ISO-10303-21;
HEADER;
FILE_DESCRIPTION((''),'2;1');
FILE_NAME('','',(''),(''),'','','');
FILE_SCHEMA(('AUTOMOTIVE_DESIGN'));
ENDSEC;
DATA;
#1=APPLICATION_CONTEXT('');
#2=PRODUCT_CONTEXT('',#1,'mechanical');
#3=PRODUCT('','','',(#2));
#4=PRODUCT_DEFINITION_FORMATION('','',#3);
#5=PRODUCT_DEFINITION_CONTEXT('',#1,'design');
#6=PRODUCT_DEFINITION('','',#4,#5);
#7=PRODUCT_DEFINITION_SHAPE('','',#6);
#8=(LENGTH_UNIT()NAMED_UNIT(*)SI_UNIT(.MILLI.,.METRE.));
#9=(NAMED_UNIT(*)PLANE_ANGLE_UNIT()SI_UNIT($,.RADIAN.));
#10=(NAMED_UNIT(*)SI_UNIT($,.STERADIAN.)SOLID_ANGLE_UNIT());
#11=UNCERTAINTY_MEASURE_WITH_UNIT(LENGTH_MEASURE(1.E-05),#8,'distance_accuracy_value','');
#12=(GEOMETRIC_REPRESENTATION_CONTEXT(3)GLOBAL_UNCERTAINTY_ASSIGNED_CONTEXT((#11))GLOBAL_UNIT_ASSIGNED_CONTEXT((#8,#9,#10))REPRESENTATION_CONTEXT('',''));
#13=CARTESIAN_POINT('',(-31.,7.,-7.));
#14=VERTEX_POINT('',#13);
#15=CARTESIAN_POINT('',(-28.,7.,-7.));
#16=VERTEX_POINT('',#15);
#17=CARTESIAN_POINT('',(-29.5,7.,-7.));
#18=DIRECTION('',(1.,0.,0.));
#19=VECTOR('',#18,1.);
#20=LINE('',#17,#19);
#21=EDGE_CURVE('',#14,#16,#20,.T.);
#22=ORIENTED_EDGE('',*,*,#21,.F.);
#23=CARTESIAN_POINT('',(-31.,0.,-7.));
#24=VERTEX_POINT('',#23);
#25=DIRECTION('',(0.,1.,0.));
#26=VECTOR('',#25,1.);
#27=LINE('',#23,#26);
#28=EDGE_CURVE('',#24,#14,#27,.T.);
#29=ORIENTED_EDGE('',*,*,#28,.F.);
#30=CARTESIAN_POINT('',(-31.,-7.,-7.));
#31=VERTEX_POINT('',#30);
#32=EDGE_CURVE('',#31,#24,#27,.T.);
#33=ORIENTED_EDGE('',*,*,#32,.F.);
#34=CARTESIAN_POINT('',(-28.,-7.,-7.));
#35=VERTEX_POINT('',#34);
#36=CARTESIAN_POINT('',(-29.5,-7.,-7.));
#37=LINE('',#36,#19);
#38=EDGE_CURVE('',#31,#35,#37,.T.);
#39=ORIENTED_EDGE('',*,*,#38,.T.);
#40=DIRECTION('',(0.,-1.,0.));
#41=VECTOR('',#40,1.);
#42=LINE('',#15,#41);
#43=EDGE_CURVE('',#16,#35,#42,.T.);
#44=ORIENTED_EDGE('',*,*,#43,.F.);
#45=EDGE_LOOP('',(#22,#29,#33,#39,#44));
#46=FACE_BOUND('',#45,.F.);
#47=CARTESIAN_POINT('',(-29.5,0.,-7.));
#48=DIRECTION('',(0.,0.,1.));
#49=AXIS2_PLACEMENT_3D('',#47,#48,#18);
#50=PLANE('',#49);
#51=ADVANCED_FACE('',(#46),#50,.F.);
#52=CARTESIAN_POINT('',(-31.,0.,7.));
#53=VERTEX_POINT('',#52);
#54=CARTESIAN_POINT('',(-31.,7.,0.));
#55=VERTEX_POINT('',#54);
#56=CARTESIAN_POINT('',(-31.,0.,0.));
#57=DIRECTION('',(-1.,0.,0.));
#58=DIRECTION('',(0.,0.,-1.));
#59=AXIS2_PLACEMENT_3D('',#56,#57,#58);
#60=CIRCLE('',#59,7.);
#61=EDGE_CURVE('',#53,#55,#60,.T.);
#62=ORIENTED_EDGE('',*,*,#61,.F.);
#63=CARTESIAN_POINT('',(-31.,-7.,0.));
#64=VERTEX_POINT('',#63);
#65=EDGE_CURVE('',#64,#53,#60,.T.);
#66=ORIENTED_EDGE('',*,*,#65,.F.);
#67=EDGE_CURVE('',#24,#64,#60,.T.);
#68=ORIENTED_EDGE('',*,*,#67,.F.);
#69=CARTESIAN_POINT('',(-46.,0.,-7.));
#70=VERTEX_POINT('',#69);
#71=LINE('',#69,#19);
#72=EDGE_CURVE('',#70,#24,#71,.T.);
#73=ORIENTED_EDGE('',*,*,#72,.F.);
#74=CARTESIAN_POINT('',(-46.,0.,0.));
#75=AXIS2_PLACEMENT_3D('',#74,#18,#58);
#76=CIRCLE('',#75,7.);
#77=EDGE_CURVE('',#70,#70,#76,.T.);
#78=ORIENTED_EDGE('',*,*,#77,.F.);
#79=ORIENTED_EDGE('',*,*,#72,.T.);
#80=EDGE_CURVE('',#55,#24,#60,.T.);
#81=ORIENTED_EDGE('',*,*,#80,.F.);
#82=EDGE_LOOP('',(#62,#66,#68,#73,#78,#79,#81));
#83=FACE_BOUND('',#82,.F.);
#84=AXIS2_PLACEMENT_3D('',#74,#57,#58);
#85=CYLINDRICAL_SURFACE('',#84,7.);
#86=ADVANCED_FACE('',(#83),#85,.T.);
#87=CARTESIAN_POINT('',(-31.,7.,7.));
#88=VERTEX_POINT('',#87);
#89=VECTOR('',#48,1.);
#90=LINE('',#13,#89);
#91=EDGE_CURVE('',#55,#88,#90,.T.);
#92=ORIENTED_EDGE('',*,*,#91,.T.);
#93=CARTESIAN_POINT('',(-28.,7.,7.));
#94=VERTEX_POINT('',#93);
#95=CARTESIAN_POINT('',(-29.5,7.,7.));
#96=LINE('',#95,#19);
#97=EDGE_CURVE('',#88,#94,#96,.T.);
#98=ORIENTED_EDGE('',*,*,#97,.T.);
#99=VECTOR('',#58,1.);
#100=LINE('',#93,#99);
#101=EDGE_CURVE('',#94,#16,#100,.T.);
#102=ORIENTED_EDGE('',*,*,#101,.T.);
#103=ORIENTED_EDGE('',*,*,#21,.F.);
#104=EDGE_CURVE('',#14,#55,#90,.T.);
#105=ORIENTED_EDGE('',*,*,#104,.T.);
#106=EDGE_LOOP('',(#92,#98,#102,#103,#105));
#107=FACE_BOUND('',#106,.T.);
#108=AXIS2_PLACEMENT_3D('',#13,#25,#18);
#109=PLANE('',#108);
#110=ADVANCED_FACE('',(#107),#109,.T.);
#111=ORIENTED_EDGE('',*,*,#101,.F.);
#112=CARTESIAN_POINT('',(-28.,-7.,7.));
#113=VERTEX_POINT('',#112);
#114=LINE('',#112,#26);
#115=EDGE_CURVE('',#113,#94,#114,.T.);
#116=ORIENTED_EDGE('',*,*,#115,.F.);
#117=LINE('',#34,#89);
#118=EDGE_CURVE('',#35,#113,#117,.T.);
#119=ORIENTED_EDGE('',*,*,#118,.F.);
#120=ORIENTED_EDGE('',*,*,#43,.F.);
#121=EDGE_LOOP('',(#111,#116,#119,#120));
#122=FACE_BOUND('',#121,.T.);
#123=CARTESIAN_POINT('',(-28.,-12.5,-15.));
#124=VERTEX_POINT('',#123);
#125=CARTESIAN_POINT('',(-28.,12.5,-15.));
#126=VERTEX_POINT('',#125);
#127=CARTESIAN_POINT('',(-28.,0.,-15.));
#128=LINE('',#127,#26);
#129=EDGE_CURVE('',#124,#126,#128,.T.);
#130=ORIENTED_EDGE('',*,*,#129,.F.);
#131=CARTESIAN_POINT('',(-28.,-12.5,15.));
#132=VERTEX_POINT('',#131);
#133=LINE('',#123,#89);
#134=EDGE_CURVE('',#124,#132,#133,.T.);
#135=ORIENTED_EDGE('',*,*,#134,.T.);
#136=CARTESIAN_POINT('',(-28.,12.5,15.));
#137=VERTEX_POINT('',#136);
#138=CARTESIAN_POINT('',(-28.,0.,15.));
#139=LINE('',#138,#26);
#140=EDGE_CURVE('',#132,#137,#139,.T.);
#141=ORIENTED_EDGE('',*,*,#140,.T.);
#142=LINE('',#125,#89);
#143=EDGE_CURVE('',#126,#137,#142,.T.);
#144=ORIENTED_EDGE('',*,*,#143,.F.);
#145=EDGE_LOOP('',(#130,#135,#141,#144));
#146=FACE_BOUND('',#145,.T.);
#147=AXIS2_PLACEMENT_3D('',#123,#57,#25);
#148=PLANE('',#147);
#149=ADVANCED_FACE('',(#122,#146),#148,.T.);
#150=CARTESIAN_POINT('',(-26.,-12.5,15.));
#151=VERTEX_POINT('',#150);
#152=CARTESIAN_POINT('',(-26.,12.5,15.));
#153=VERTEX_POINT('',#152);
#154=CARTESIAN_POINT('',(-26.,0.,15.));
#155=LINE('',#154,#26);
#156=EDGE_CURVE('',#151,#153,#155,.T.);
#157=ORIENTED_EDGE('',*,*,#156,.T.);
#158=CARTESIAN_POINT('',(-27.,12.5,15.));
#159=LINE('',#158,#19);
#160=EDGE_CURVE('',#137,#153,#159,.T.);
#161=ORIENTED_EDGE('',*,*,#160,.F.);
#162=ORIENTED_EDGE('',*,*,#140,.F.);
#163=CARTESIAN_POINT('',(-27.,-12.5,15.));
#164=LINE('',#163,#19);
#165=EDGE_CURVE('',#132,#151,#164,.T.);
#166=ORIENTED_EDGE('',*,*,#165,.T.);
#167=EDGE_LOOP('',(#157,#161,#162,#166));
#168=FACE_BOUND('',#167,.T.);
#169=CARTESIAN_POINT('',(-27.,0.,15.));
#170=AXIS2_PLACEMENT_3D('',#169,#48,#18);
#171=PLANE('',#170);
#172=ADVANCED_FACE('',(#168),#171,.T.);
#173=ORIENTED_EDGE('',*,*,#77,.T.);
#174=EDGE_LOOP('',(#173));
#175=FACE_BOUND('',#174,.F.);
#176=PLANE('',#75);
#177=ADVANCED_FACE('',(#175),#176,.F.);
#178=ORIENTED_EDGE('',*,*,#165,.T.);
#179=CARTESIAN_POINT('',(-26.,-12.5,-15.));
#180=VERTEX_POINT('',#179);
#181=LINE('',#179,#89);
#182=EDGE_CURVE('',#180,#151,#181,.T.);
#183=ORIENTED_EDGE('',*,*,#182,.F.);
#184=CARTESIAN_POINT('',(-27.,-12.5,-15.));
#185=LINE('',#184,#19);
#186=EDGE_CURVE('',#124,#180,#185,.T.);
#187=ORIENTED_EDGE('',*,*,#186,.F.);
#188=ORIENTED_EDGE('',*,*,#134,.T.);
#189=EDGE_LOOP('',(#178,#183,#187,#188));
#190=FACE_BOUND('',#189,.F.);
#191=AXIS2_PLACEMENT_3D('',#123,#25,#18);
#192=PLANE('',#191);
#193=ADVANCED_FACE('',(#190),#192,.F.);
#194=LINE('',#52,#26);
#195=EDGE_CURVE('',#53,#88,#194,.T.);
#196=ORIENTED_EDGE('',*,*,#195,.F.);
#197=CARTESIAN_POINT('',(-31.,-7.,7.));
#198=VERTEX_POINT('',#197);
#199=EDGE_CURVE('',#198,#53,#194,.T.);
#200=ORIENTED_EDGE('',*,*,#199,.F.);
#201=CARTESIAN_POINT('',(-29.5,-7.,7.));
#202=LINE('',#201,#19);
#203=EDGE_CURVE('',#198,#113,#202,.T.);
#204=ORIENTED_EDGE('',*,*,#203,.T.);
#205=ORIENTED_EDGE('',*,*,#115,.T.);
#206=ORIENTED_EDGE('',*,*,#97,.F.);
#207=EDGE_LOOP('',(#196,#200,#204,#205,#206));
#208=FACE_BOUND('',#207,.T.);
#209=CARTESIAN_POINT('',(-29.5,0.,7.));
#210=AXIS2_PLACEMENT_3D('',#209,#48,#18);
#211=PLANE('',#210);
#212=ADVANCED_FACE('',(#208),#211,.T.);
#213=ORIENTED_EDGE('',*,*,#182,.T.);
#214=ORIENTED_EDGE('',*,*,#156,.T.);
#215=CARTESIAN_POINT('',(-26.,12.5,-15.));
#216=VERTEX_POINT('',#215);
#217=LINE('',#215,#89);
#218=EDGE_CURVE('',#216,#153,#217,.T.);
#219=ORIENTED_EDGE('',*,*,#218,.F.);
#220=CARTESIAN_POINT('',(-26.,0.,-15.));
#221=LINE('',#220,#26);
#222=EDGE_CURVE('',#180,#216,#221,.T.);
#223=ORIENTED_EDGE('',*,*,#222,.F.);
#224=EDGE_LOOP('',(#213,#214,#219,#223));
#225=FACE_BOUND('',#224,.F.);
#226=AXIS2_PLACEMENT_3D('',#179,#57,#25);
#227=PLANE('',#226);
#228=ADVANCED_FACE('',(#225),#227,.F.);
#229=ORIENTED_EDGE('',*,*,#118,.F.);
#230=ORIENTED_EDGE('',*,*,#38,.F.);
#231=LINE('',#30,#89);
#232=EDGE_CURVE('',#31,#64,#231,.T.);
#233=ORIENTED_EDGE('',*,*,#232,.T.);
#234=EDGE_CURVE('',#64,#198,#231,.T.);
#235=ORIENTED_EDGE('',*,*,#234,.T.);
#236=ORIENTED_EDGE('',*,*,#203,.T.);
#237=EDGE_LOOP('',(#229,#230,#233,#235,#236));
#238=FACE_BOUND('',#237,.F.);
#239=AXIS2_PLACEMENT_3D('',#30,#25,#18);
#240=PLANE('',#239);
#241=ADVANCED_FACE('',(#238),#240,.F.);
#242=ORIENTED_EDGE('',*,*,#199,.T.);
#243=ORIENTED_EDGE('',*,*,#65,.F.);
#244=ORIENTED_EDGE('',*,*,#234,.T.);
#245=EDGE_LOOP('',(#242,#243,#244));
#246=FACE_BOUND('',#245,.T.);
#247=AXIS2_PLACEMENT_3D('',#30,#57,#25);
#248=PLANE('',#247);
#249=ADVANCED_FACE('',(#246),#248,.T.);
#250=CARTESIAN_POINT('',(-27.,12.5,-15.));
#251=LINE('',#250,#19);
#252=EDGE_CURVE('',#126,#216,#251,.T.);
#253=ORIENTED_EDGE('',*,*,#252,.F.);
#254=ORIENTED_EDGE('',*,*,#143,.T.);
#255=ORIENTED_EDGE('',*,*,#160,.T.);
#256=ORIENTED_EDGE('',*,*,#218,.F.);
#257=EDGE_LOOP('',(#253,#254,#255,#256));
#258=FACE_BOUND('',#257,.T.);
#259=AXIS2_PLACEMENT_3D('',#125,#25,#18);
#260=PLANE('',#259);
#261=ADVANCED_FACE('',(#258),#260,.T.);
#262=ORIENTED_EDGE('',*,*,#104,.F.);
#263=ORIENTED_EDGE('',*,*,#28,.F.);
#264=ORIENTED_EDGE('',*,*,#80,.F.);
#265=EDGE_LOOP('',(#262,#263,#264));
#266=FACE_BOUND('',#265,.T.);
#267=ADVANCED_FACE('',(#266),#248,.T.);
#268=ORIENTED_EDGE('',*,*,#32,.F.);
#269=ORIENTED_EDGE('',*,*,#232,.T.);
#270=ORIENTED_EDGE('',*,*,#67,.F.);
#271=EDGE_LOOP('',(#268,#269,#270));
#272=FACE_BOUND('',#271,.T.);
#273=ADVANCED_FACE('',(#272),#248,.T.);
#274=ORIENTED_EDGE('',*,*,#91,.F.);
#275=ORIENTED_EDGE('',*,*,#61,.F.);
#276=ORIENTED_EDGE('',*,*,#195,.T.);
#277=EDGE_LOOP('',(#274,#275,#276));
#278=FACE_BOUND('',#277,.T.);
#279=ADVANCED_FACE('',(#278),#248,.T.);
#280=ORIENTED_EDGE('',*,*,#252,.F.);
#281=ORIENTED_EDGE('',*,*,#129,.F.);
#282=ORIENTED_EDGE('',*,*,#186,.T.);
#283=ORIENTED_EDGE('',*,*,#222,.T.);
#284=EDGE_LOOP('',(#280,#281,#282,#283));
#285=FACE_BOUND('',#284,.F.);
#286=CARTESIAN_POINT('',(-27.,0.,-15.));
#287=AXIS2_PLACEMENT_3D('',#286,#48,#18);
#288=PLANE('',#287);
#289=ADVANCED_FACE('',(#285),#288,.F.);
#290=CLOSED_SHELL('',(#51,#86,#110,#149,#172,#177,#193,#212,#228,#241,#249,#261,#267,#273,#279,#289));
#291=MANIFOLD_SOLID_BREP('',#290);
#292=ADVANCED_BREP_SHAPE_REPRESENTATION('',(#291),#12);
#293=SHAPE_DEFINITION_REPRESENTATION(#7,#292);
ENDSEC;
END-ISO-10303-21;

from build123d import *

# Parameters (mm, degrees)
BOX002_W                = 2
BOX002_H                = 25
BOX002_DEPTH            = 30
CYLINDER024_R           = 7
CYLINDER024_DEPTH       = 20
CYLINDER024_PITCH_ANGLE = 90
BOX027_W                = 3
BOX027_H                = 14
BOX027_DEPTH            = 14


with BuildPart() as camara:
    # Box002 → Box002 (new body)
    with BuildSketch(Plane(origin=(-28, -12.5, -15), x_dir=(1, 0, 0), z_dir=(0, 0, 1))):
        with Locations((1, 12.5)):
            Rectangle(BOX002_W, BOX002_H)
    extrude(amount=BOX002_DEPTH)


with BuildPart() as objetivo002:
    # Cylinder024 → Cylinder024 (new body)
    with BuildSketch(Plane.XY):
        Circle(CYLINDER024_R)
    extrude(amount=CYLINDER024_DEPTH)


with BuildPart() as objetivo002_1:
    # Cylinder024 pitch: moved
    add(objetivo002.part.rotate(Axis((0, 0, 0), (0, 1, 0)), CYLINDER024_PITCH_ANGLE))


with BuildPart() as objetivo002_2:
    # Cylinder024 placement: moved
    add(objetivo002_1.part.moved(Location((-46, 0, 0))))


with BuildPart() as camara001:
    # Box027 → Box027 (new body)
    with BuildSketch(Plane(origin=(-31, -7, -7), x_dir=(1, 0, 0), z_dir=(0, 0, 1))):
        with Locations((1.5, 7)):
            Rectangle(BOX027_W, BOX027_H)
    extrude(amount=BOX027_DEPTH)

    # Fusion017: union Camara, Objetivo002
    add(camara.part)
    add(objetivo002_2.part)


solid = camara001.part
